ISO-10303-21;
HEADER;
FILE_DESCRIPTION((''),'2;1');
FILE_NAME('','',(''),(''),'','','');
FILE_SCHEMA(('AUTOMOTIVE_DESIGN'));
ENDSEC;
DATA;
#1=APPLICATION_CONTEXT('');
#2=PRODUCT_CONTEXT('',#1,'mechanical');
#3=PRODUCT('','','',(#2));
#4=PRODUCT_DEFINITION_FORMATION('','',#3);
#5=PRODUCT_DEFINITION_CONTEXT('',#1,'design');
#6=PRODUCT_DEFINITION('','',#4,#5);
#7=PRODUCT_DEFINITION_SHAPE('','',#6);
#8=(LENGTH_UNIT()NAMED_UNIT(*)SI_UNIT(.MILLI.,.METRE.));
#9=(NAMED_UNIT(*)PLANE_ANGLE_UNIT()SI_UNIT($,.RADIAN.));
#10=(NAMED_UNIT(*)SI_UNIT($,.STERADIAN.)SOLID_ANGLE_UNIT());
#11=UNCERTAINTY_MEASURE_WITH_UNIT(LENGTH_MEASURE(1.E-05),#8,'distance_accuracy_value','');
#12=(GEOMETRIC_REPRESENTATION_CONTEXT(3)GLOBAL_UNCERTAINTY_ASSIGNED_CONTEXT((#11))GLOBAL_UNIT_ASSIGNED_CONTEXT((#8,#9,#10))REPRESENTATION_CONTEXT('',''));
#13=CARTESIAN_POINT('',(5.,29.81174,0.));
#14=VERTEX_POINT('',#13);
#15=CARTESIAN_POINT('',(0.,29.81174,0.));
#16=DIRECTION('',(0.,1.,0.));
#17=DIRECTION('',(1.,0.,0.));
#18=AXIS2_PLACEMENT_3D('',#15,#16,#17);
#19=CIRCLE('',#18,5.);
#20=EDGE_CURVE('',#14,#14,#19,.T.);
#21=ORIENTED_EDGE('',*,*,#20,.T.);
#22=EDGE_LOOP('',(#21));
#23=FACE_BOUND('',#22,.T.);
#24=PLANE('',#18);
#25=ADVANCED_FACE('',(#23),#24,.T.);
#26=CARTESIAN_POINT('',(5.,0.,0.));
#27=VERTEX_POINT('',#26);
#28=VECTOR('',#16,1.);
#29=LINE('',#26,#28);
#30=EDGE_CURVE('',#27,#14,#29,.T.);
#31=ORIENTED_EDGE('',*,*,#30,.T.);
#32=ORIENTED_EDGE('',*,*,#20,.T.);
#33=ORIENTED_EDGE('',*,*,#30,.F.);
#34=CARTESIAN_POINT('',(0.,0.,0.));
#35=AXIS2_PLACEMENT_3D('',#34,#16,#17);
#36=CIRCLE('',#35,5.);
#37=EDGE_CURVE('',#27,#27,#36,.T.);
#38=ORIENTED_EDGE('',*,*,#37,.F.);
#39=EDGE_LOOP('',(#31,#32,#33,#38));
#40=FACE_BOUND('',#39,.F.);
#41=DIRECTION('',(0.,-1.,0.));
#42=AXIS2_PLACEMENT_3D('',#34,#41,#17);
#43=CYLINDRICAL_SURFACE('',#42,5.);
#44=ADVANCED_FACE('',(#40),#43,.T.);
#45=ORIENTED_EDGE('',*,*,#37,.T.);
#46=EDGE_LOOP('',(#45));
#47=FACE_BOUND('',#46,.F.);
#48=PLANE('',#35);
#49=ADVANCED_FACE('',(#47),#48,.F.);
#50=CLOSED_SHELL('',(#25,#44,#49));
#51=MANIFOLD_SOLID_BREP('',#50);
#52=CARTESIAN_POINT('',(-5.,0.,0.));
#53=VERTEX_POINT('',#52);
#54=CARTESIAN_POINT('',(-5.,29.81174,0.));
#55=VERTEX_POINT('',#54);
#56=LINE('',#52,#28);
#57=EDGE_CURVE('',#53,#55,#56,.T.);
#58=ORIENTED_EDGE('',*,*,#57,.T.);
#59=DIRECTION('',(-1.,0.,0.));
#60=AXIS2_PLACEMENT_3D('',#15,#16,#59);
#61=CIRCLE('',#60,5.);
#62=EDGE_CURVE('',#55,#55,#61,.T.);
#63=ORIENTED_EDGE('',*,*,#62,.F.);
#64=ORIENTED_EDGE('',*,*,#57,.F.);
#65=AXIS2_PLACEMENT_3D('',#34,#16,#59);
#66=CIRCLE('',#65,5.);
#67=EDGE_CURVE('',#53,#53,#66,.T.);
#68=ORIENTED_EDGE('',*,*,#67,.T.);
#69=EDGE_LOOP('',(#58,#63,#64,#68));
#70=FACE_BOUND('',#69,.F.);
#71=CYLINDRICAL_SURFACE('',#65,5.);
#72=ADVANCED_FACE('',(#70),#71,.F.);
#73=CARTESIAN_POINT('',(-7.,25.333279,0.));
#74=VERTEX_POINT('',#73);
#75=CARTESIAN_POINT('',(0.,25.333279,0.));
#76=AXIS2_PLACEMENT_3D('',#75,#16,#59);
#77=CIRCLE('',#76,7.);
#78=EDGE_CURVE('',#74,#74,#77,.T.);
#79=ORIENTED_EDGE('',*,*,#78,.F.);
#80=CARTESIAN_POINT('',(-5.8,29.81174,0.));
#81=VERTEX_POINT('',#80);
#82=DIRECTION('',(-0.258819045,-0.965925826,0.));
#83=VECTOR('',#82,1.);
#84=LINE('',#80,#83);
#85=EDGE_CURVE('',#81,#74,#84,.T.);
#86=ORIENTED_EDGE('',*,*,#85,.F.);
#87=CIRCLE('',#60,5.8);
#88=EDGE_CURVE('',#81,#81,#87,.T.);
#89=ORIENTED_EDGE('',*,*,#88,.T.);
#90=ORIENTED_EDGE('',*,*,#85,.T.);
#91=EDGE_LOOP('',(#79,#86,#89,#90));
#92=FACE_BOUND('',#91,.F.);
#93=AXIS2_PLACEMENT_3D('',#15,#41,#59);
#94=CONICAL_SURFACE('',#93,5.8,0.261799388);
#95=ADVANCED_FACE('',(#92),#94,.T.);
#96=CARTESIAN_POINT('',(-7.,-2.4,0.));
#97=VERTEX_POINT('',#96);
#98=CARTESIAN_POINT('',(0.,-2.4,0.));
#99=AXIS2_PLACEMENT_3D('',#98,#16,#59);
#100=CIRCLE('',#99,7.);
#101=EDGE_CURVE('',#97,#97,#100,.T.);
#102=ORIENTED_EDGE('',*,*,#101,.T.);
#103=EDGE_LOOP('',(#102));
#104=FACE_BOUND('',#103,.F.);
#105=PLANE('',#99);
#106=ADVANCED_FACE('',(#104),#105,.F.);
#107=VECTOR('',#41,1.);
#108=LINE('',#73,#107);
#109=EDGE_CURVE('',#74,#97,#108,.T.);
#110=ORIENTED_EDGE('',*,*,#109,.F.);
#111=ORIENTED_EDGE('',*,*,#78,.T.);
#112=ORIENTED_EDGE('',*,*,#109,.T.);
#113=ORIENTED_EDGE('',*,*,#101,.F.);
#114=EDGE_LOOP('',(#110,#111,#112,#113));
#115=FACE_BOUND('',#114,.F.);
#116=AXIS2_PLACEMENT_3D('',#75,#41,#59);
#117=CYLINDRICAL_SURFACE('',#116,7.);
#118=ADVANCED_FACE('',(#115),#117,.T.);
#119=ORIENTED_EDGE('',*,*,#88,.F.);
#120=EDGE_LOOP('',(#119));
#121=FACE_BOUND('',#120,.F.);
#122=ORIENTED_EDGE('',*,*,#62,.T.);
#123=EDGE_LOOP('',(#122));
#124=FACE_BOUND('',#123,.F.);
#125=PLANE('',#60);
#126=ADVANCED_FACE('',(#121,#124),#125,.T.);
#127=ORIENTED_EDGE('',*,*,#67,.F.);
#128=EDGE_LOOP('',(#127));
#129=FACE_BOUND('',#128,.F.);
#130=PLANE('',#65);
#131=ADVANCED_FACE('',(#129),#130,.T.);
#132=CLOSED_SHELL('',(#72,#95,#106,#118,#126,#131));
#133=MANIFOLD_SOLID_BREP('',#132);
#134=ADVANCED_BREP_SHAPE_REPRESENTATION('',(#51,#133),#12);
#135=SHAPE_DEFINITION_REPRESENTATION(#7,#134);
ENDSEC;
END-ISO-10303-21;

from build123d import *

# Parameters (mm, degrees)
SKETCH1_R           = 5
BOSS_EXTRUDE1_DEPTH = 29.81174009


with BuildPart() as part:
    # Sketch1 → Boss-Extrude1 (new body)
    with BuildSketch(Plane(origin=(0, 0, 0), x_dir=(1, 0, 0), z_dir=(0, 1, 0))):
        Circle(SKETCH1_R)
    extrude(amount=BOSS_EXTRUDE1_DEPTH)


with BuildPart() as body_2:
    # Sketch2 → Revolve1 (revolve)
    with BuildSketch(Plane.XY):
        Polygon((0, 0), (-5, 0), (-5, 29.81174009), (-5.8, 29.81174009), (-7, 25.333279121), (-7, -2.4), (0, -2.4), align=None)
    revolve(axis=Axis((0, 0, 0), (0, 1, 0)))


solid = Compound([part.part, body_2.part])
